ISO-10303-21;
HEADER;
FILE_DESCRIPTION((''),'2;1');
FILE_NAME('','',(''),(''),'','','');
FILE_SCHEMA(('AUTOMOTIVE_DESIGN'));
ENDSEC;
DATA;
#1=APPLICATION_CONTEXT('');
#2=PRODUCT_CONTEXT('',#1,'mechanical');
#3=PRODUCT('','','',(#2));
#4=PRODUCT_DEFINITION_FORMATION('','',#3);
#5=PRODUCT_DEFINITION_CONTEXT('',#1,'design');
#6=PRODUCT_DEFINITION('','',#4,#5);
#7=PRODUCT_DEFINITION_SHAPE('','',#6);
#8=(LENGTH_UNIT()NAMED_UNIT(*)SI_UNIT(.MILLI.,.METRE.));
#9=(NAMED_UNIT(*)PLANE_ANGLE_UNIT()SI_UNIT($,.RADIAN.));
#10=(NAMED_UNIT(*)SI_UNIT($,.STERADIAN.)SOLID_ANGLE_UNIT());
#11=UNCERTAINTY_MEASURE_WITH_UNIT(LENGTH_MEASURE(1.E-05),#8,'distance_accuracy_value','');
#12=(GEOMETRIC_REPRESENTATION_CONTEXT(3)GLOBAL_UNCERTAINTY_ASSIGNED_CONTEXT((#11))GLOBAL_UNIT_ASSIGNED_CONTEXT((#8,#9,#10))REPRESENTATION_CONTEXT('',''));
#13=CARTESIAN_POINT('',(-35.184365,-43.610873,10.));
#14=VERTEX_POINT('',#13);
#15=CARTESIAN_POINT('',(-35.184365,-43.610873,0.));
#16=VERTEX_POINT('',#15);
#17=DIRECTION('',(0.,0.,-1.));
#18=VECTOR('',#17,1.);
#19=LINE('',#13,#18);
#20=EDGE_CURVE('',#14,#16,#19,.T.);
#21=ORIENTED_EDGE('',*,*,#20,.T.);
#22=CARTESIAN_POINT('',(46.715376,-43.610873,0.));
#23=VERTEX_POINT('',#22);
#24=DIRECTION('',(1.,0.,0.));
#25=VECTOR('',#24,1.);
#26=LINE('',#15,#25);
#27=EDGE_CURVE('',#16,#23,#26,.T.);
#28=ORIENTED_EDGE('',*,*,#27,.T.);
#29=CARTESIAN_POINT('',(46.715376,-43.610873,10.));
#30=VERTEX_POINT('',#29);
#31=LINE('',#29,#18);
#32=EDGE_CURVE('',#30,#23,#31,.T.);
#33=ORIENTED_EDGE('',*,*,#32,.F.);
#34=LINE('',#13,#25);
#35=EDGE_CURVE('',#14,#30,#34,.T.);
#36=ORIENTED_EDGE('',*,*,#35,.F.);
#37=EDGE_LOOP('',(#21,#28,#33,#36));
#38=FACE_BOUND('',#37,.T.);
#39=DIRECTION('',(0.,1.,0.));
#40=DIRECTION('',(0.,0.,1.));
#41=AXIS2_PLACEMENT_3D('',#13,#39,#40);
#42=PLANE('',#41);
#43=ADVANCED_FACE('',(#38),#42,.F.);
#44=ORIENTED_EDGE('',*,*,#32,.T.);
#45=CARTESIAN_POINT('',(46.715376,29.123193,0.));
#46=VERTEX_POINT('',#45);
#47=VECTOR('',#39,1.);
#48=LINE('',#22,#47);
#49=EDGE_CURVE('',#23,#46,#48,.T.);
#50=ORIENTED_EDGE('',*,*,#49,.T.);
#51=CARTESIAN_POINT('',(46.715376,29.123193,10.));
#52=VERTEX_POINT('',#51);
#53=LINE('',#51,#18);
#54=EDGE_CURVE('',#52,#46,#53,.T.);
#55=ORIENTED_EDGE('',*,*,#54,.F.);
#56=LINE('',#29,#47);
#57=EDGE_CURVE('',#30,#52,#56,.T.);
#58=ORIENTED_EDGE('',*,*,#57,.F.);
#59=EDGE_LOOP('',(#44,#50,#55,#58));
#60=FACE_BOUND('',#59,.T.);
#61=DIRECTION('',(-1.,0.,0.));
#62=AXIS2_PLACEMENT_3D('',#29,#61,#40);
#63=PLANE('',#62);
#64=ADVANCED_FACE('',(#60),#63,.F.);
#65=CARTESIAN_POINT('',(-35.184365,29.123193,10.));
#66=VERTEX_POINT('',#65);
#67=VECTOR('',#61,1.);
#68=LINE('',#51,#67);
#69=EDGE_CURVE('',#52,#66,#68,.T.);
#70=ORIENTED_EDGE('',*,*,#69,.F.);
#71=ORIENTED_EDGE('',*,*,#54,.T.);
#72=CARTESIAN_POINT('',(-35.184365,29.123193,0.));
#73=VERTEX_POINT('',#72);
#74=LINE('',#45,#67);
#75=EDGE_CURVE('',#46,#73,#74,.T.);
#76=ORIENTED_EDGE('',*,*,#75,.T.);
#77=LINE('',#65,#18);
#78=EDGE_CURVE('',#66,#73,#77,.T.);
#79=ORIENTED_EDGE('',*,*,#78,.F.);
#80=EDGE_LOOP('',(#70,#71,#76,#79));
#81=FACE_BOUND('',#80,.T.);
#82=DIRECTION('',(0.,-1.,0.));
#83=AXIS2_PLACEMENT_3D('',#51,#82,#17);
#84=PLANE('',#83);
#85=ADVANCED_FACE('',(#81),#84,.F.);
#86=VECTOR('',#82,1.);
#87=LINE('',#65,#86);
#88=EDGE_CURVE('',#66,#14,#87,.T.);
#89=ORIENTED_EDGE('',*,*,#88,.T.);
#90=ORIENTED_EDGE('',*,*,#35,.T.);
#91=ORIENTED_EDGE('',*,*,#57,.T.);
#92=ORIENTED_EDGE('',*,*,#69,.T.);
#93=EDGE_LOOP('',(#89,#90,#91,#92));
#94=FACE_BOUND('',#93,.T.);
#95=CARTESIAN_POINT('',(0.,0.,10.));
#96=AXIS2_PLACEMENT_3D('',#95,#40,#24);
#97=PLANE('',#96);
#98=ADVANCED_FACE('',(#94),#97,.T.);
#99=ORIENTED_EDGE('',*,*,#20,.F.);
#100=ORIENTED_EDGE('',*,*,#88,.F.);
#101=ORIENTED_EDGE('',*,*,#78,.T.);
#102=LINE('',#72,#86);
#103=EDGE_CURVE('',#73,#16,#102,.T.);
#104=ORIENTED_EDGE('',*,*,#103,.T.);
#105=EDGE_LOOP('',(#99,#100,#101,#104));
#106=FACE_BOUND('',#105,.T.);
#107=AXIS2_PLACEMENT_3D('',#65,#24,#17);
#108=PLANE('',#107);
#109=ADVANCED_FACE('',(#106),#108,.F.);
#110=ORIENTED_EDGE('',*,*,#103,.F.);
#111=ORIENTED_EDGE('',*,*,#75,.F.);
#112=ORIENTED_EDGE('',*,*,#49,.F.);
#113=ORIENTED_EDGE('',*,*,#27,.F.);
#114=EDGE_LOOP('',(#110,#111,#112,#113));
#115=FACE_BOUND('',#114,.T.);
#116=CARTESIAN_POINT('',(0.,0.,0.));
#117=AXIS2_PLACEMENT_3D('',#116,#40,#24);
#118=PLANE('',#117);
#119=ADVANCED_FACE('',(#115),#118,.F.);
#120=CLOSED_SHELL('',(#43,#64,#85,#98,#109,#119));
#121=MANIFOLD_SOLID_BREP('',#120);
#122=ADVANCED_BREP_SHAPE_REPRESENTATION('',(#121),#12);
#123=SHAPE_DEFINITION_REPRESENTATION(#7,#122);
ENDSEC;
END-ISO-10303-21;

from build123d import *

# Parameters (mm, degrees)
SKETCH1_W           = 81.899741086
SKETCH1_H           = 72.734066091
BOSS_EXTRUDE1_DEPTH = 10


with BuildPart() as part:
    # Sketch1 → Boss-Extrude1 (new body)
    with BuildSketch(Plane.XY):
        with Locations((5.765505239, -7.243839916)):
            Rectangle(SKETCH1_W, SKETCH1_H)
    extrude(amount=BOSS_EXTRUDE1_DEPTH)


solid = part.part
